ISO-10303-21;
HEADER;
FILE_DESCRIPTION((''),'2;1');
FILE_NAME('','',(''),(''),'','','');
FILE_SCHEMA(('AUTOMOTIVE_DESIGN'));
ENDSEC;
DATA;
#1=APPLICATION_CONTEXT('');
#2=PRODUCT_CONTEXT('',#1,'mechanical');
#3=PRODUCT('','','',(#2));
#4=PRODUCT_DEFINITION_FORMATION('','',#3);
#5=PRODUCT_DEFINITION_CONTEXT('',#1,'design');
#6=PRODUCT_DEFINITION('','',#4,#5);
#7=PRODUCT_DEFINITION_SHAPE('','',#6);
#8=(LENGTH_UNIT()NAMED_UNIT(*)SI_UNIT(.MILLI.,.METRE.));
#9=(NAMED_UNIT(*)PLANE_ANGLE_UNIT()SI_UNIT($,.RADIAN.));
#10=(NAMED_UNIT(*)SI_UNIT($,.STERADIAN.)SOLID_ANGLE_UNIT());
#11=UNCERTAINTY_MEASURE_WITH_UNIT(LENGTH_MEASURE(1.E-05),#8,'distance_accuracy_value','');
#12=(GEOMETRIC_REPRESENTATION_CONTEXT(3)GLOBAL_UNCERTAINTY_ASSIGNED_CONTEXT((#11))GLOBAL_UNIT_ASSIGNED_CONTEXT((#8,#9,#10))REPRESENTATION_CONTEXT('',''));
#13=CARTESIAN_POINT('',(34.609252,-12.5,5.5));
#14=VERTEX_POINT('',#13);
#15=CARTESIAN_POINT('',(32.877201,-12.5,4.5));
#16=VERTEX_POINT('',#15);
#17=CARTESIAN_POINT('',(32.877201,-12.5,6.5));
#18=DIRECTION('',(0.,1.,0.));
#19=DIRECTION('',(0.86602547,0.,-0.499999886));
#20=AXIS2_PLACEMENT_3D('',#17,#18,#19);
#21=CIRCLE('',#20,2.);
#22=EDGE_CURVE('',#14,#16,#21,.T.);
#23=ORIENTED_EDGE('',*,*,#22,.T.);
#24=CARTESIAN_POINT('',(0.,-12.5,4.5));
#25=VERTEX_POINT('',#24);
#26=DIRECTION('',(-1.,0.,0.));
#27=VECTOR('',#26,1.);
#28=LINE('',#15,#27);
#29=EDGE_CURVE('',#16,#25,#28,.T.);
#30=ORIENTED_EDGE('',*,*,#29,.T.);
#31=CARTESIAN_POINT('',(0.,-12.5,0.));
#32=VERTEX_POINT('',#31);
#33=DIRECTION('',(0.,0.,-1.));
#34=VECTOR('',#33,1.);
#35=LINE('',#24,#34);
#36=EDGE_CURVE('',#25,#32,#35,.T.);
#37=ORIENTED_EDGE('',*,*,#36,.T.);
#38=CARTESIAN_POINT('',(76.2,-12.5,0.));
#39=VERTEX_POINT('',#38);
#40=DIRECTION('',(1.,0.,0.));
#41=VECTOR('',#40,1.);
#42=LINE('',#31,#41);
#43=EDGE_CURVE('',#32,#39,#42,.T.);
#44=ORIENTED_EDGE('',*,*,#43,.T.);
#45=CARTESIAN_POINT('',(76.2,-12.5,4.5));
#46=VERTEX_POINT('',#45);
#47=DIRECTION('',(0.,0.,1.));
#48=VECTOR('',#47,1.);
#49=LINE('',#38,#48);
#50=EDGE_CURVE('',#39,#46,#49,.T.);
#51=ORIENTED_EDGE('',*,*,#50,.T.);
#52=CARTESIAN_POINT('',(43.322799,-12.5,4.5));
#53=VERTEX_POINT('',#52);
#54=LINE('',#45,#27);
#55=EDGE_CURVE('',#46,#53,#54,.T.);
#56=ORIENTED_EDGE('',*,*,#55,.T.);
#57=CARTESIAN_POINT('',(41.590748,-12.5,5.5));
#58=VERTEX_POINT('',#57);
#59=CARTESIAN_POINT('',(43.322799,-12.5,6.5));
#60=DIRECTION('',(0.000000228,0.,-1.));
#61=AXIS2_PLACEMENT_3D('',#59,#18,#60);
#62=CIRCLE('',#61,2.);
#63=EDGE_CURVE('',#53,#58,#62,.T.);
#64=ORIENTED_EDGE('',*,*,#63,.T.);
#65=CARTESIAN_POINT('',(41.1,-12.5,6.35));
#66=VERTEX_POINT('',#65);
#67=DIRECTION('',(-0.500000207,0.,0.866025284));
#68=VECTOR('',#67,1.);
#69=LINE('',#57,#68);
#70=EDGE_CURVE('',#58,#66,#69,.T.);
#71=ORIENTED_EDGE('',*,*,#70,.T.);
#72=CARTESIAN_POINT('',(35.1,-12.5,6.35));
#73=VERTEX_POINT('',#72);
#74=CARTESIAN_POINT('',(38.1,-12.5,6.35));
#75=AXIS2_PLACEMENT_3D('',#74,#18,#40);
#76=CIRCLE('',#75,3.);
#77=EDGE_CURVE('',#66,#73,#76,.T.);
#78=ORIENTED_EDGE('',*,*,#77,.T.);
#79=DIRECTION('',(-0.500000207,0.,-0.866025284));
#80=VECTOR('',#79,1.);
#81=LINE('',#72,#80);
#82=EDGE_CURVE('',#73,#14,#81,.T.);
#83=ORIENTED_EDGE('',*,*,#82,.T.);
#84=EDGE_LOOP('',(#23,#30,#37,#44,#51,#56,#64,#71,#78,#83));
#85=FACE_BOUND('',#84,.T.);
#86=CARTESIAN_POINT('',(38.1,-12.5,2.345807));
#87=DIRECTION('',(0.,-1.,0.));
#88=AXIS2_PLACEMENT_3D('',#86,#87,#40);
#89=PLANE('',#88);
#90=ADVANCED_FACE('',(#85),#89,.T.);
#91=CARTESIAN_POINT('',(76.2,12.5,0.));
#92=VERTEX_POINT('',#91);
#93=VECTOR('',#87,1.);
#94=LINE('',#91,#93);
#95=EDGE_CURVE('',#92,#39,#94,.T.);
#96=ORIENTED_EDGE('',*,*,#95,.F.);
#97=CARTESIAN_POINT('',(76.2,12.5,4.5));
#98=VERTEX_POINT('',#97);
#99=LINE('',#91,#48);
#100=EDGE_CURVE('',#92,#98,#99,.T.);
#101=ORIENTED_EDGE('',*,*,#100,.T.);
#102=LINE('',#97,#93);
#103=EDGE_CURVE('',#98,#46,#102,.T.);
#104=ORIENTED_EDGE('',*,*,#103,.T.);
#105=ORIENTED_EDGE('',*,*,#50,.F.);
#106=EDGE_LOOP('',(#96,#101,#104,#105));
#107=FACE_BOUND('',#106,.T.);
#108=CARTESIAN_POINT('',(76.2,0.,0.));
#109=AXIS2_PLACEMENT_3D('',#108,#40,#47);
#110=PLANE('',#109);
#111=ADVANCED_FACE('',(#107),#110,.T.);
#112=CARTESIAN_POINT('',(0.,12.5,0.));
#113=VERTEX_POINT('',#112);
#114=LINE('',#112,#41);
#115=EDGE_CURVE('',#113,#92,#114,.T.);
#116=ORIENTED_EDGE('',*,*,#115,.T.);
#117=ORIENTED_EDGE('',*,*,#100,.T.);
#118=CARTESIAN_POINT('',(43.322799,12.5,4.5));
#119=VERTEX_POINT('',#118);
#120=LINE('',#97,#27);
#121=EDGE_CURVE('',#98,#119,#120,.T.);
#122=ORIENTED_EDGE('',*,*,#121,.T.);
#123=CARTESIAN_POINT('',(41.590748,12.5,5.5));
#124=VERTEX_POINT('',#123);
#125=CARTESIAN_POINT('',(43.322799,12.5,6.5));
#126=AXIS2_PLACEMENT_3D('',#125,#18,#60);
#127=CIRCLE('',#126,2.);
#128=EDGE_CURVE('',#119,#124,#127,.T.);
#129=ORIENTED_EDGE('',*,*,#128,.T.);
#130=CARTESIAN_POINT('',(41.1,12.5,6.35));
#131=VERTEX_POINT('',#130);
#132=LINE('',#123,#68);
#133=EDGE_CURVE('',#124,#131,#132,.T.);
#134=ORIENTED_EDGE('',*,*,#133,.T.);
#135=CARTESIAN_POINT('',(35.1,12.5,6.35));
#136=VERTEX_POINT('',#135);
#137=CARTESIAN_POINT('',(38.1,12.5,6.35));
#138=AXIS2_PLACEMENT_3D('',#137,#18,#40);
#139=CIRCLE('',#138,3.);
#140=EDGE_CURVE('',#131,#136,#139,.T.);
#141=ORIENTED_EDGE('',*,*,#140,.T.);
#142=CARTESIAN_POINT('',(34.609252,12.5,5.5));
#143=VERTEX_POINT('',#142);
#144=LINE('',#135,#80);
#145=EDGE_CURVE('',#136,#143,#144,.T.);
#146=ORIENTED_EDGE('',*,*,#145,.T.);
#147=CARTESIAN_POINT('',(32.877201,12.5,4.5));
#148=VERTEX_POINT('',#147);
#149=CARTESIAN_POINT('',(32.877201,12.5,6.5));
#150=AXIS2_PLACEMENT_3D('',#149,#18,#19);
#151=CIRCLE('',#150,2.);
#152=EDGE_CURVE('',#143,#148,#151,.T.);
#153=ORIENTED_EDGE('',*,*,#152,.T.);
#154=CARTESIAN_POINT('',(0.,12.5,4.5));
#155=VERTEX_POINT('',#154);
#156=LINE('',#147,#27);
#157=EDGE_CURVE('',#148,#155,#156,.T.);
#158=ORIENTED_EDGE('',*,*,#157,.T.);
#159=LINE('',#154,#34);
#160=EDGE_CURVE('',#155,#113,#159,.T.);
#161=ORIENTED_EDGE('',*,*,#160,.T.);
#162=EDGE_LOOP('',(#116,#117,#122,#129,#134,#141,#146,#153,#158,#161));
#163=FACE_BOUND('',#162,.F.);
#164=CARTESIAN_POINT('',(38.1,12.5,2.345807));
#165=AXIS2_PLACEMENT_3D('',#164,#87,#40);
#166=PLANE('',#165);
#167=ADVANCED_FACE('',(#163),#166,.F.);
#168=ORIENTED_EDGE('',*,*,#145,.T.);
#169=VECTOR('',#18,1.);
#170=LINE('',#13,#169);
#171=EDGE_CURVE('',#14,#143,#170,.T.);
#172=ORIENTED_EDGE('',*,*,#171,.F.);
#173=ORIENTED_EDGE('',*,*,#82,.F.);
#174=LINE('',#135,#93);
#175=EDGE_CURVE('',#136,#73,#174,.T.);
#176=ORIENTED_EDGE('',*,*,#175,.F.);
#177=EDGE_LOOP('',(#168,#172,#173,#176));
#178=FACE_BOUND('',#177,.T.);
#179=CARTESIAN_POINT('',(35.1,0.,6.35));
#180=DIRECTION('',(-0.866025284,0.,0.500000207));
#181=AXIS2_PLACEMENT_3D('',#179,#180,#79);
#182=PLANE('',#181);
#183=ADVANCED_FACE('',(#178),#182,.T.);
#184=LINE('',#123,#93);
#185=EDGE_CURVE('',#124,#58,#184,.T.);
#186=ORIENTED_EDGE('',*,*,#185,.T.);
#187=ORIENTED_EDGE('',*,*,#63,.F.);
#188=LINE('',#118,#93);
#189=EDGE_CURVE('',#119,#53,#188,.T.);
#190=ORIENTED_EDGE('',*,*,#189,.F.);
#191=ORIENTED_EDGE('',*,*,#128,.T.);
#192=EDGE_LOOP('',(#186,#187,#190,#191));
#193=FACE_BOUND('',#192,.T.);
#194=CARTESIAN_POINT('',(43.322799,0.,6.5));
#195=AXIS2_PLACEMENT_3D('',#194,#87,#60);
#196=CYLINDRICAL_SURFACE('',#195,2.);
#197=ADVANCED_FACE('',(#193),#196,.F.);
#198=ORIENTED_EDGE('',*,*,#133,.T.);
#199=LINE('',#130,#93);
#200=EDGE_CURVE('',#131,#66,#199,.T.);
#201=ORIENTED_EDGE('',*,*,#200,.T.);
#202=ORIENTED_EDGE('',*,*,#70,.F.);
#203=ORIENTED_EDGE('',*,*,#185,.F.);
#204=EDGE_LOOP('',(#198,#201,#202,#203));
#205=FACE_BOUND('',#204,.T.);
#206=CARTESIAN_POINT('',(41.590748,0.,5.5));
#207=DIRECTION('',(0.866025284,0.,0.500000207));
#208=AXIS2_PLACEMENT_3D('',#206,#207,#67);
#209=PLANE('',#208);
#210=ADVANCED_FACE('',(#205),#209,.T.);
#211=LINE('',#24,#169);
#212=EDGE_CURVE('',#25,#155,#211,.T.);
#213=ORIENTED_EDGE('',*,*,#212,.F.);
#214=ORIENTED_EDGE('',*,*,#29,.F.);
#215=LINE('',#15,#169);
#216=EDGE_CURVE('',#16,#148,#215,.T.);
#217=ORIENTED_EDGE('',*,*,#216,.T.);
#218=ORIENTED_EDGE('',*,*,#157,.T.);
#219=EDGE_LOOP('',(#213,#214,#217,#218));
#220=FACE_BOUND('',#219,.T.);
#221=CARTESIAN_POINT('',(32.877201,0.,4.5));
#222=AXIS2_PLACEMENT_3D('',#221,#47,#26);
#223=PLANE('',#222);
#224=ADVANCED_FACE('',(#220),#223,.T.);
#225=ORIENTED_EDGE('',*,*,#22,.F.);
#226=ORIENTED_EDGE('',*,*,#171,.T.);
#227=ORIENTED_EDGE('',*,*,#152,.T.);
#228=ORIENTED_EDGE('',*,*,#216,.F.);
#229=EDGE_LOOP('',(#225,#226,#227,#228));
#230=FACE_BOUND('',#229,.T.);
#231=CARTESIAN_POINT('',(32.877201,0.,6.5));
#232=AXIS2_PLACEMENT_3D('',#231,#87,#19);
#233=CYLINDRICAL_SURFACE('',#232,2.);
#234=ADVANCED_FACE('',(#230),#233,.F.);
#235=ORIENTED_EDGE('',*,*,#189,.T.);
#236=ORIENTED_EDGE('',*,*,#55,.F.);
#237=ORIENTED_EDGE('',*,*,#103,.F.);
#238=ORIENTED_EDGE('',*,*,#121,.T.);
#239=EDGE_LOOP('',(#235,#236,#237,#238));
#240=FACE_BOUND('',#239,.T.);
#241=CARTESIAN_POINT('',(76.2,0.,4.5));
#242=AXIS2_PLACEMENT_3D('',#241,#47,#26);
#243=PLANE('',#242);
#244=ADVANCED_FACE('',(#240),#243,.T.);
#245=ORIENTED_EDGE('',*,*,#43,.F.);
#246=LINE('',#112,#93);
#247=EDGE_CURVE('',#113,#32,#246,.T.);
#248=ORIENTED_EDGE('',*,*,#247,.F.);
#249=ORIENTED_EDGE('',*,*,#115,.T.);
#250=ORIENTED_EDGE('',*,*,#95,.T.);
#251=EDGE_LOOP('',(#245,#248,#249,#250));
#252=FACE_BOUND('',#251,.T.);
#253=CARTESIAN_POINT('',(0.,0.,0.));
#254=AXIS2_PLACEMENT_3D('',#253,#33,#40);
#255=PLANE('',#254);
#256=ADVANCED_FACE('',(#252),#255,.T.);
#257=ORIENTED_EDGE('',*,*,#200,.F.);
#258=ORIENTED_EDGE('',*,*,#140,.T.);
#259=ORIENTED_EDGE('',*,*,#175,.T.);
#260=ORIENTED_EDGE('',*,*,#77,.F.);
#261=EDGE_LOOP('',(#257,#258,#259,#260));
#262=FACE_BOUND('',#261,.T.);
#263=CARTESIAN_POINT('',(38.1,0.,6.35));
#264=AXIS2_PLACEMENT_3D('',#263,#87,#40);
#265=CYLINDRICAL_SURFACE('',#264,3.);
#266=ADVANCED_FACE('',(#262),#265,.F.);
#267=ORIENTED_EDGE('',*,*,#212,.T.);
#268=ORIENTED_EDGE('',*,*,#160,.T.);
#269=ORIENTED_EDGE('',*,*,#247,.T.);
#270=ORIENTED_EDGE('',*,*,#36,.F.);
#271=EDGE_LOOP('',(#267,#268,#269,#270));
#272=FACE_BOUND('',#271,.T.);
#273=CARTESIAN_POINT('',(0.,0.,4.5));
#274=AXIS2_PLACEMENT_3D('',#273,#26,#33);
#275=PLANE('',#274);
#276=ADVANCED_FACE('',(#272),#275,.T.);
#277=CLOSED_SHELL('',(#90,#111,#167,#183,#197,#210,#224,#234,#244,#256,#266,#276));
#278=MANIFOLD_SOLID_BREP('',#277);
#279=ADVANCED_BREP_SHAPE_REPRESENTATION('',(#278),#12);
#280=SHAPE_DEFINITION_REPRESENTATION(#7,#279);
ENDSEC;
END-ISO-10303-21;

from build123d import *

# Parameters (mm, degrees)
F1_DEPTH = 12.5


with BuildPart() as f1:
    # F0 (on Front) → F1 (new body, symmetric)
    with BuildSketch(Plane.XZ):
        with BuildLine():
            Line((0, 4.5), (0, 0))
            Line((0, 0), (76.2, 0))
            Line((76.2, 0), (76.2, 4.5))
            Line((76.2, 4.5), (43.322799, 4.5))
            ThreePointArc((43.322799, 4.5), (42.322799, 4.767949), (41.590748, 5.5))
            Line((41.590748, 5.5), (41.1, 6.35))
            ThreePointArc((41.1, 6.35), (38.1, 3.35), (35.1, 6.35))
            Line((35.1, 6.35), (34.609252, 5.5))
            ThreePointArc((34.609252, 5.5), (33.877201, 4.767949), (32.877201, 4.5))
            Line((32.877201, 4.5), (0, 4.5))
        make_face()
    extrude(amount=F1_DEPTH, both=True)


solid = f1.part
